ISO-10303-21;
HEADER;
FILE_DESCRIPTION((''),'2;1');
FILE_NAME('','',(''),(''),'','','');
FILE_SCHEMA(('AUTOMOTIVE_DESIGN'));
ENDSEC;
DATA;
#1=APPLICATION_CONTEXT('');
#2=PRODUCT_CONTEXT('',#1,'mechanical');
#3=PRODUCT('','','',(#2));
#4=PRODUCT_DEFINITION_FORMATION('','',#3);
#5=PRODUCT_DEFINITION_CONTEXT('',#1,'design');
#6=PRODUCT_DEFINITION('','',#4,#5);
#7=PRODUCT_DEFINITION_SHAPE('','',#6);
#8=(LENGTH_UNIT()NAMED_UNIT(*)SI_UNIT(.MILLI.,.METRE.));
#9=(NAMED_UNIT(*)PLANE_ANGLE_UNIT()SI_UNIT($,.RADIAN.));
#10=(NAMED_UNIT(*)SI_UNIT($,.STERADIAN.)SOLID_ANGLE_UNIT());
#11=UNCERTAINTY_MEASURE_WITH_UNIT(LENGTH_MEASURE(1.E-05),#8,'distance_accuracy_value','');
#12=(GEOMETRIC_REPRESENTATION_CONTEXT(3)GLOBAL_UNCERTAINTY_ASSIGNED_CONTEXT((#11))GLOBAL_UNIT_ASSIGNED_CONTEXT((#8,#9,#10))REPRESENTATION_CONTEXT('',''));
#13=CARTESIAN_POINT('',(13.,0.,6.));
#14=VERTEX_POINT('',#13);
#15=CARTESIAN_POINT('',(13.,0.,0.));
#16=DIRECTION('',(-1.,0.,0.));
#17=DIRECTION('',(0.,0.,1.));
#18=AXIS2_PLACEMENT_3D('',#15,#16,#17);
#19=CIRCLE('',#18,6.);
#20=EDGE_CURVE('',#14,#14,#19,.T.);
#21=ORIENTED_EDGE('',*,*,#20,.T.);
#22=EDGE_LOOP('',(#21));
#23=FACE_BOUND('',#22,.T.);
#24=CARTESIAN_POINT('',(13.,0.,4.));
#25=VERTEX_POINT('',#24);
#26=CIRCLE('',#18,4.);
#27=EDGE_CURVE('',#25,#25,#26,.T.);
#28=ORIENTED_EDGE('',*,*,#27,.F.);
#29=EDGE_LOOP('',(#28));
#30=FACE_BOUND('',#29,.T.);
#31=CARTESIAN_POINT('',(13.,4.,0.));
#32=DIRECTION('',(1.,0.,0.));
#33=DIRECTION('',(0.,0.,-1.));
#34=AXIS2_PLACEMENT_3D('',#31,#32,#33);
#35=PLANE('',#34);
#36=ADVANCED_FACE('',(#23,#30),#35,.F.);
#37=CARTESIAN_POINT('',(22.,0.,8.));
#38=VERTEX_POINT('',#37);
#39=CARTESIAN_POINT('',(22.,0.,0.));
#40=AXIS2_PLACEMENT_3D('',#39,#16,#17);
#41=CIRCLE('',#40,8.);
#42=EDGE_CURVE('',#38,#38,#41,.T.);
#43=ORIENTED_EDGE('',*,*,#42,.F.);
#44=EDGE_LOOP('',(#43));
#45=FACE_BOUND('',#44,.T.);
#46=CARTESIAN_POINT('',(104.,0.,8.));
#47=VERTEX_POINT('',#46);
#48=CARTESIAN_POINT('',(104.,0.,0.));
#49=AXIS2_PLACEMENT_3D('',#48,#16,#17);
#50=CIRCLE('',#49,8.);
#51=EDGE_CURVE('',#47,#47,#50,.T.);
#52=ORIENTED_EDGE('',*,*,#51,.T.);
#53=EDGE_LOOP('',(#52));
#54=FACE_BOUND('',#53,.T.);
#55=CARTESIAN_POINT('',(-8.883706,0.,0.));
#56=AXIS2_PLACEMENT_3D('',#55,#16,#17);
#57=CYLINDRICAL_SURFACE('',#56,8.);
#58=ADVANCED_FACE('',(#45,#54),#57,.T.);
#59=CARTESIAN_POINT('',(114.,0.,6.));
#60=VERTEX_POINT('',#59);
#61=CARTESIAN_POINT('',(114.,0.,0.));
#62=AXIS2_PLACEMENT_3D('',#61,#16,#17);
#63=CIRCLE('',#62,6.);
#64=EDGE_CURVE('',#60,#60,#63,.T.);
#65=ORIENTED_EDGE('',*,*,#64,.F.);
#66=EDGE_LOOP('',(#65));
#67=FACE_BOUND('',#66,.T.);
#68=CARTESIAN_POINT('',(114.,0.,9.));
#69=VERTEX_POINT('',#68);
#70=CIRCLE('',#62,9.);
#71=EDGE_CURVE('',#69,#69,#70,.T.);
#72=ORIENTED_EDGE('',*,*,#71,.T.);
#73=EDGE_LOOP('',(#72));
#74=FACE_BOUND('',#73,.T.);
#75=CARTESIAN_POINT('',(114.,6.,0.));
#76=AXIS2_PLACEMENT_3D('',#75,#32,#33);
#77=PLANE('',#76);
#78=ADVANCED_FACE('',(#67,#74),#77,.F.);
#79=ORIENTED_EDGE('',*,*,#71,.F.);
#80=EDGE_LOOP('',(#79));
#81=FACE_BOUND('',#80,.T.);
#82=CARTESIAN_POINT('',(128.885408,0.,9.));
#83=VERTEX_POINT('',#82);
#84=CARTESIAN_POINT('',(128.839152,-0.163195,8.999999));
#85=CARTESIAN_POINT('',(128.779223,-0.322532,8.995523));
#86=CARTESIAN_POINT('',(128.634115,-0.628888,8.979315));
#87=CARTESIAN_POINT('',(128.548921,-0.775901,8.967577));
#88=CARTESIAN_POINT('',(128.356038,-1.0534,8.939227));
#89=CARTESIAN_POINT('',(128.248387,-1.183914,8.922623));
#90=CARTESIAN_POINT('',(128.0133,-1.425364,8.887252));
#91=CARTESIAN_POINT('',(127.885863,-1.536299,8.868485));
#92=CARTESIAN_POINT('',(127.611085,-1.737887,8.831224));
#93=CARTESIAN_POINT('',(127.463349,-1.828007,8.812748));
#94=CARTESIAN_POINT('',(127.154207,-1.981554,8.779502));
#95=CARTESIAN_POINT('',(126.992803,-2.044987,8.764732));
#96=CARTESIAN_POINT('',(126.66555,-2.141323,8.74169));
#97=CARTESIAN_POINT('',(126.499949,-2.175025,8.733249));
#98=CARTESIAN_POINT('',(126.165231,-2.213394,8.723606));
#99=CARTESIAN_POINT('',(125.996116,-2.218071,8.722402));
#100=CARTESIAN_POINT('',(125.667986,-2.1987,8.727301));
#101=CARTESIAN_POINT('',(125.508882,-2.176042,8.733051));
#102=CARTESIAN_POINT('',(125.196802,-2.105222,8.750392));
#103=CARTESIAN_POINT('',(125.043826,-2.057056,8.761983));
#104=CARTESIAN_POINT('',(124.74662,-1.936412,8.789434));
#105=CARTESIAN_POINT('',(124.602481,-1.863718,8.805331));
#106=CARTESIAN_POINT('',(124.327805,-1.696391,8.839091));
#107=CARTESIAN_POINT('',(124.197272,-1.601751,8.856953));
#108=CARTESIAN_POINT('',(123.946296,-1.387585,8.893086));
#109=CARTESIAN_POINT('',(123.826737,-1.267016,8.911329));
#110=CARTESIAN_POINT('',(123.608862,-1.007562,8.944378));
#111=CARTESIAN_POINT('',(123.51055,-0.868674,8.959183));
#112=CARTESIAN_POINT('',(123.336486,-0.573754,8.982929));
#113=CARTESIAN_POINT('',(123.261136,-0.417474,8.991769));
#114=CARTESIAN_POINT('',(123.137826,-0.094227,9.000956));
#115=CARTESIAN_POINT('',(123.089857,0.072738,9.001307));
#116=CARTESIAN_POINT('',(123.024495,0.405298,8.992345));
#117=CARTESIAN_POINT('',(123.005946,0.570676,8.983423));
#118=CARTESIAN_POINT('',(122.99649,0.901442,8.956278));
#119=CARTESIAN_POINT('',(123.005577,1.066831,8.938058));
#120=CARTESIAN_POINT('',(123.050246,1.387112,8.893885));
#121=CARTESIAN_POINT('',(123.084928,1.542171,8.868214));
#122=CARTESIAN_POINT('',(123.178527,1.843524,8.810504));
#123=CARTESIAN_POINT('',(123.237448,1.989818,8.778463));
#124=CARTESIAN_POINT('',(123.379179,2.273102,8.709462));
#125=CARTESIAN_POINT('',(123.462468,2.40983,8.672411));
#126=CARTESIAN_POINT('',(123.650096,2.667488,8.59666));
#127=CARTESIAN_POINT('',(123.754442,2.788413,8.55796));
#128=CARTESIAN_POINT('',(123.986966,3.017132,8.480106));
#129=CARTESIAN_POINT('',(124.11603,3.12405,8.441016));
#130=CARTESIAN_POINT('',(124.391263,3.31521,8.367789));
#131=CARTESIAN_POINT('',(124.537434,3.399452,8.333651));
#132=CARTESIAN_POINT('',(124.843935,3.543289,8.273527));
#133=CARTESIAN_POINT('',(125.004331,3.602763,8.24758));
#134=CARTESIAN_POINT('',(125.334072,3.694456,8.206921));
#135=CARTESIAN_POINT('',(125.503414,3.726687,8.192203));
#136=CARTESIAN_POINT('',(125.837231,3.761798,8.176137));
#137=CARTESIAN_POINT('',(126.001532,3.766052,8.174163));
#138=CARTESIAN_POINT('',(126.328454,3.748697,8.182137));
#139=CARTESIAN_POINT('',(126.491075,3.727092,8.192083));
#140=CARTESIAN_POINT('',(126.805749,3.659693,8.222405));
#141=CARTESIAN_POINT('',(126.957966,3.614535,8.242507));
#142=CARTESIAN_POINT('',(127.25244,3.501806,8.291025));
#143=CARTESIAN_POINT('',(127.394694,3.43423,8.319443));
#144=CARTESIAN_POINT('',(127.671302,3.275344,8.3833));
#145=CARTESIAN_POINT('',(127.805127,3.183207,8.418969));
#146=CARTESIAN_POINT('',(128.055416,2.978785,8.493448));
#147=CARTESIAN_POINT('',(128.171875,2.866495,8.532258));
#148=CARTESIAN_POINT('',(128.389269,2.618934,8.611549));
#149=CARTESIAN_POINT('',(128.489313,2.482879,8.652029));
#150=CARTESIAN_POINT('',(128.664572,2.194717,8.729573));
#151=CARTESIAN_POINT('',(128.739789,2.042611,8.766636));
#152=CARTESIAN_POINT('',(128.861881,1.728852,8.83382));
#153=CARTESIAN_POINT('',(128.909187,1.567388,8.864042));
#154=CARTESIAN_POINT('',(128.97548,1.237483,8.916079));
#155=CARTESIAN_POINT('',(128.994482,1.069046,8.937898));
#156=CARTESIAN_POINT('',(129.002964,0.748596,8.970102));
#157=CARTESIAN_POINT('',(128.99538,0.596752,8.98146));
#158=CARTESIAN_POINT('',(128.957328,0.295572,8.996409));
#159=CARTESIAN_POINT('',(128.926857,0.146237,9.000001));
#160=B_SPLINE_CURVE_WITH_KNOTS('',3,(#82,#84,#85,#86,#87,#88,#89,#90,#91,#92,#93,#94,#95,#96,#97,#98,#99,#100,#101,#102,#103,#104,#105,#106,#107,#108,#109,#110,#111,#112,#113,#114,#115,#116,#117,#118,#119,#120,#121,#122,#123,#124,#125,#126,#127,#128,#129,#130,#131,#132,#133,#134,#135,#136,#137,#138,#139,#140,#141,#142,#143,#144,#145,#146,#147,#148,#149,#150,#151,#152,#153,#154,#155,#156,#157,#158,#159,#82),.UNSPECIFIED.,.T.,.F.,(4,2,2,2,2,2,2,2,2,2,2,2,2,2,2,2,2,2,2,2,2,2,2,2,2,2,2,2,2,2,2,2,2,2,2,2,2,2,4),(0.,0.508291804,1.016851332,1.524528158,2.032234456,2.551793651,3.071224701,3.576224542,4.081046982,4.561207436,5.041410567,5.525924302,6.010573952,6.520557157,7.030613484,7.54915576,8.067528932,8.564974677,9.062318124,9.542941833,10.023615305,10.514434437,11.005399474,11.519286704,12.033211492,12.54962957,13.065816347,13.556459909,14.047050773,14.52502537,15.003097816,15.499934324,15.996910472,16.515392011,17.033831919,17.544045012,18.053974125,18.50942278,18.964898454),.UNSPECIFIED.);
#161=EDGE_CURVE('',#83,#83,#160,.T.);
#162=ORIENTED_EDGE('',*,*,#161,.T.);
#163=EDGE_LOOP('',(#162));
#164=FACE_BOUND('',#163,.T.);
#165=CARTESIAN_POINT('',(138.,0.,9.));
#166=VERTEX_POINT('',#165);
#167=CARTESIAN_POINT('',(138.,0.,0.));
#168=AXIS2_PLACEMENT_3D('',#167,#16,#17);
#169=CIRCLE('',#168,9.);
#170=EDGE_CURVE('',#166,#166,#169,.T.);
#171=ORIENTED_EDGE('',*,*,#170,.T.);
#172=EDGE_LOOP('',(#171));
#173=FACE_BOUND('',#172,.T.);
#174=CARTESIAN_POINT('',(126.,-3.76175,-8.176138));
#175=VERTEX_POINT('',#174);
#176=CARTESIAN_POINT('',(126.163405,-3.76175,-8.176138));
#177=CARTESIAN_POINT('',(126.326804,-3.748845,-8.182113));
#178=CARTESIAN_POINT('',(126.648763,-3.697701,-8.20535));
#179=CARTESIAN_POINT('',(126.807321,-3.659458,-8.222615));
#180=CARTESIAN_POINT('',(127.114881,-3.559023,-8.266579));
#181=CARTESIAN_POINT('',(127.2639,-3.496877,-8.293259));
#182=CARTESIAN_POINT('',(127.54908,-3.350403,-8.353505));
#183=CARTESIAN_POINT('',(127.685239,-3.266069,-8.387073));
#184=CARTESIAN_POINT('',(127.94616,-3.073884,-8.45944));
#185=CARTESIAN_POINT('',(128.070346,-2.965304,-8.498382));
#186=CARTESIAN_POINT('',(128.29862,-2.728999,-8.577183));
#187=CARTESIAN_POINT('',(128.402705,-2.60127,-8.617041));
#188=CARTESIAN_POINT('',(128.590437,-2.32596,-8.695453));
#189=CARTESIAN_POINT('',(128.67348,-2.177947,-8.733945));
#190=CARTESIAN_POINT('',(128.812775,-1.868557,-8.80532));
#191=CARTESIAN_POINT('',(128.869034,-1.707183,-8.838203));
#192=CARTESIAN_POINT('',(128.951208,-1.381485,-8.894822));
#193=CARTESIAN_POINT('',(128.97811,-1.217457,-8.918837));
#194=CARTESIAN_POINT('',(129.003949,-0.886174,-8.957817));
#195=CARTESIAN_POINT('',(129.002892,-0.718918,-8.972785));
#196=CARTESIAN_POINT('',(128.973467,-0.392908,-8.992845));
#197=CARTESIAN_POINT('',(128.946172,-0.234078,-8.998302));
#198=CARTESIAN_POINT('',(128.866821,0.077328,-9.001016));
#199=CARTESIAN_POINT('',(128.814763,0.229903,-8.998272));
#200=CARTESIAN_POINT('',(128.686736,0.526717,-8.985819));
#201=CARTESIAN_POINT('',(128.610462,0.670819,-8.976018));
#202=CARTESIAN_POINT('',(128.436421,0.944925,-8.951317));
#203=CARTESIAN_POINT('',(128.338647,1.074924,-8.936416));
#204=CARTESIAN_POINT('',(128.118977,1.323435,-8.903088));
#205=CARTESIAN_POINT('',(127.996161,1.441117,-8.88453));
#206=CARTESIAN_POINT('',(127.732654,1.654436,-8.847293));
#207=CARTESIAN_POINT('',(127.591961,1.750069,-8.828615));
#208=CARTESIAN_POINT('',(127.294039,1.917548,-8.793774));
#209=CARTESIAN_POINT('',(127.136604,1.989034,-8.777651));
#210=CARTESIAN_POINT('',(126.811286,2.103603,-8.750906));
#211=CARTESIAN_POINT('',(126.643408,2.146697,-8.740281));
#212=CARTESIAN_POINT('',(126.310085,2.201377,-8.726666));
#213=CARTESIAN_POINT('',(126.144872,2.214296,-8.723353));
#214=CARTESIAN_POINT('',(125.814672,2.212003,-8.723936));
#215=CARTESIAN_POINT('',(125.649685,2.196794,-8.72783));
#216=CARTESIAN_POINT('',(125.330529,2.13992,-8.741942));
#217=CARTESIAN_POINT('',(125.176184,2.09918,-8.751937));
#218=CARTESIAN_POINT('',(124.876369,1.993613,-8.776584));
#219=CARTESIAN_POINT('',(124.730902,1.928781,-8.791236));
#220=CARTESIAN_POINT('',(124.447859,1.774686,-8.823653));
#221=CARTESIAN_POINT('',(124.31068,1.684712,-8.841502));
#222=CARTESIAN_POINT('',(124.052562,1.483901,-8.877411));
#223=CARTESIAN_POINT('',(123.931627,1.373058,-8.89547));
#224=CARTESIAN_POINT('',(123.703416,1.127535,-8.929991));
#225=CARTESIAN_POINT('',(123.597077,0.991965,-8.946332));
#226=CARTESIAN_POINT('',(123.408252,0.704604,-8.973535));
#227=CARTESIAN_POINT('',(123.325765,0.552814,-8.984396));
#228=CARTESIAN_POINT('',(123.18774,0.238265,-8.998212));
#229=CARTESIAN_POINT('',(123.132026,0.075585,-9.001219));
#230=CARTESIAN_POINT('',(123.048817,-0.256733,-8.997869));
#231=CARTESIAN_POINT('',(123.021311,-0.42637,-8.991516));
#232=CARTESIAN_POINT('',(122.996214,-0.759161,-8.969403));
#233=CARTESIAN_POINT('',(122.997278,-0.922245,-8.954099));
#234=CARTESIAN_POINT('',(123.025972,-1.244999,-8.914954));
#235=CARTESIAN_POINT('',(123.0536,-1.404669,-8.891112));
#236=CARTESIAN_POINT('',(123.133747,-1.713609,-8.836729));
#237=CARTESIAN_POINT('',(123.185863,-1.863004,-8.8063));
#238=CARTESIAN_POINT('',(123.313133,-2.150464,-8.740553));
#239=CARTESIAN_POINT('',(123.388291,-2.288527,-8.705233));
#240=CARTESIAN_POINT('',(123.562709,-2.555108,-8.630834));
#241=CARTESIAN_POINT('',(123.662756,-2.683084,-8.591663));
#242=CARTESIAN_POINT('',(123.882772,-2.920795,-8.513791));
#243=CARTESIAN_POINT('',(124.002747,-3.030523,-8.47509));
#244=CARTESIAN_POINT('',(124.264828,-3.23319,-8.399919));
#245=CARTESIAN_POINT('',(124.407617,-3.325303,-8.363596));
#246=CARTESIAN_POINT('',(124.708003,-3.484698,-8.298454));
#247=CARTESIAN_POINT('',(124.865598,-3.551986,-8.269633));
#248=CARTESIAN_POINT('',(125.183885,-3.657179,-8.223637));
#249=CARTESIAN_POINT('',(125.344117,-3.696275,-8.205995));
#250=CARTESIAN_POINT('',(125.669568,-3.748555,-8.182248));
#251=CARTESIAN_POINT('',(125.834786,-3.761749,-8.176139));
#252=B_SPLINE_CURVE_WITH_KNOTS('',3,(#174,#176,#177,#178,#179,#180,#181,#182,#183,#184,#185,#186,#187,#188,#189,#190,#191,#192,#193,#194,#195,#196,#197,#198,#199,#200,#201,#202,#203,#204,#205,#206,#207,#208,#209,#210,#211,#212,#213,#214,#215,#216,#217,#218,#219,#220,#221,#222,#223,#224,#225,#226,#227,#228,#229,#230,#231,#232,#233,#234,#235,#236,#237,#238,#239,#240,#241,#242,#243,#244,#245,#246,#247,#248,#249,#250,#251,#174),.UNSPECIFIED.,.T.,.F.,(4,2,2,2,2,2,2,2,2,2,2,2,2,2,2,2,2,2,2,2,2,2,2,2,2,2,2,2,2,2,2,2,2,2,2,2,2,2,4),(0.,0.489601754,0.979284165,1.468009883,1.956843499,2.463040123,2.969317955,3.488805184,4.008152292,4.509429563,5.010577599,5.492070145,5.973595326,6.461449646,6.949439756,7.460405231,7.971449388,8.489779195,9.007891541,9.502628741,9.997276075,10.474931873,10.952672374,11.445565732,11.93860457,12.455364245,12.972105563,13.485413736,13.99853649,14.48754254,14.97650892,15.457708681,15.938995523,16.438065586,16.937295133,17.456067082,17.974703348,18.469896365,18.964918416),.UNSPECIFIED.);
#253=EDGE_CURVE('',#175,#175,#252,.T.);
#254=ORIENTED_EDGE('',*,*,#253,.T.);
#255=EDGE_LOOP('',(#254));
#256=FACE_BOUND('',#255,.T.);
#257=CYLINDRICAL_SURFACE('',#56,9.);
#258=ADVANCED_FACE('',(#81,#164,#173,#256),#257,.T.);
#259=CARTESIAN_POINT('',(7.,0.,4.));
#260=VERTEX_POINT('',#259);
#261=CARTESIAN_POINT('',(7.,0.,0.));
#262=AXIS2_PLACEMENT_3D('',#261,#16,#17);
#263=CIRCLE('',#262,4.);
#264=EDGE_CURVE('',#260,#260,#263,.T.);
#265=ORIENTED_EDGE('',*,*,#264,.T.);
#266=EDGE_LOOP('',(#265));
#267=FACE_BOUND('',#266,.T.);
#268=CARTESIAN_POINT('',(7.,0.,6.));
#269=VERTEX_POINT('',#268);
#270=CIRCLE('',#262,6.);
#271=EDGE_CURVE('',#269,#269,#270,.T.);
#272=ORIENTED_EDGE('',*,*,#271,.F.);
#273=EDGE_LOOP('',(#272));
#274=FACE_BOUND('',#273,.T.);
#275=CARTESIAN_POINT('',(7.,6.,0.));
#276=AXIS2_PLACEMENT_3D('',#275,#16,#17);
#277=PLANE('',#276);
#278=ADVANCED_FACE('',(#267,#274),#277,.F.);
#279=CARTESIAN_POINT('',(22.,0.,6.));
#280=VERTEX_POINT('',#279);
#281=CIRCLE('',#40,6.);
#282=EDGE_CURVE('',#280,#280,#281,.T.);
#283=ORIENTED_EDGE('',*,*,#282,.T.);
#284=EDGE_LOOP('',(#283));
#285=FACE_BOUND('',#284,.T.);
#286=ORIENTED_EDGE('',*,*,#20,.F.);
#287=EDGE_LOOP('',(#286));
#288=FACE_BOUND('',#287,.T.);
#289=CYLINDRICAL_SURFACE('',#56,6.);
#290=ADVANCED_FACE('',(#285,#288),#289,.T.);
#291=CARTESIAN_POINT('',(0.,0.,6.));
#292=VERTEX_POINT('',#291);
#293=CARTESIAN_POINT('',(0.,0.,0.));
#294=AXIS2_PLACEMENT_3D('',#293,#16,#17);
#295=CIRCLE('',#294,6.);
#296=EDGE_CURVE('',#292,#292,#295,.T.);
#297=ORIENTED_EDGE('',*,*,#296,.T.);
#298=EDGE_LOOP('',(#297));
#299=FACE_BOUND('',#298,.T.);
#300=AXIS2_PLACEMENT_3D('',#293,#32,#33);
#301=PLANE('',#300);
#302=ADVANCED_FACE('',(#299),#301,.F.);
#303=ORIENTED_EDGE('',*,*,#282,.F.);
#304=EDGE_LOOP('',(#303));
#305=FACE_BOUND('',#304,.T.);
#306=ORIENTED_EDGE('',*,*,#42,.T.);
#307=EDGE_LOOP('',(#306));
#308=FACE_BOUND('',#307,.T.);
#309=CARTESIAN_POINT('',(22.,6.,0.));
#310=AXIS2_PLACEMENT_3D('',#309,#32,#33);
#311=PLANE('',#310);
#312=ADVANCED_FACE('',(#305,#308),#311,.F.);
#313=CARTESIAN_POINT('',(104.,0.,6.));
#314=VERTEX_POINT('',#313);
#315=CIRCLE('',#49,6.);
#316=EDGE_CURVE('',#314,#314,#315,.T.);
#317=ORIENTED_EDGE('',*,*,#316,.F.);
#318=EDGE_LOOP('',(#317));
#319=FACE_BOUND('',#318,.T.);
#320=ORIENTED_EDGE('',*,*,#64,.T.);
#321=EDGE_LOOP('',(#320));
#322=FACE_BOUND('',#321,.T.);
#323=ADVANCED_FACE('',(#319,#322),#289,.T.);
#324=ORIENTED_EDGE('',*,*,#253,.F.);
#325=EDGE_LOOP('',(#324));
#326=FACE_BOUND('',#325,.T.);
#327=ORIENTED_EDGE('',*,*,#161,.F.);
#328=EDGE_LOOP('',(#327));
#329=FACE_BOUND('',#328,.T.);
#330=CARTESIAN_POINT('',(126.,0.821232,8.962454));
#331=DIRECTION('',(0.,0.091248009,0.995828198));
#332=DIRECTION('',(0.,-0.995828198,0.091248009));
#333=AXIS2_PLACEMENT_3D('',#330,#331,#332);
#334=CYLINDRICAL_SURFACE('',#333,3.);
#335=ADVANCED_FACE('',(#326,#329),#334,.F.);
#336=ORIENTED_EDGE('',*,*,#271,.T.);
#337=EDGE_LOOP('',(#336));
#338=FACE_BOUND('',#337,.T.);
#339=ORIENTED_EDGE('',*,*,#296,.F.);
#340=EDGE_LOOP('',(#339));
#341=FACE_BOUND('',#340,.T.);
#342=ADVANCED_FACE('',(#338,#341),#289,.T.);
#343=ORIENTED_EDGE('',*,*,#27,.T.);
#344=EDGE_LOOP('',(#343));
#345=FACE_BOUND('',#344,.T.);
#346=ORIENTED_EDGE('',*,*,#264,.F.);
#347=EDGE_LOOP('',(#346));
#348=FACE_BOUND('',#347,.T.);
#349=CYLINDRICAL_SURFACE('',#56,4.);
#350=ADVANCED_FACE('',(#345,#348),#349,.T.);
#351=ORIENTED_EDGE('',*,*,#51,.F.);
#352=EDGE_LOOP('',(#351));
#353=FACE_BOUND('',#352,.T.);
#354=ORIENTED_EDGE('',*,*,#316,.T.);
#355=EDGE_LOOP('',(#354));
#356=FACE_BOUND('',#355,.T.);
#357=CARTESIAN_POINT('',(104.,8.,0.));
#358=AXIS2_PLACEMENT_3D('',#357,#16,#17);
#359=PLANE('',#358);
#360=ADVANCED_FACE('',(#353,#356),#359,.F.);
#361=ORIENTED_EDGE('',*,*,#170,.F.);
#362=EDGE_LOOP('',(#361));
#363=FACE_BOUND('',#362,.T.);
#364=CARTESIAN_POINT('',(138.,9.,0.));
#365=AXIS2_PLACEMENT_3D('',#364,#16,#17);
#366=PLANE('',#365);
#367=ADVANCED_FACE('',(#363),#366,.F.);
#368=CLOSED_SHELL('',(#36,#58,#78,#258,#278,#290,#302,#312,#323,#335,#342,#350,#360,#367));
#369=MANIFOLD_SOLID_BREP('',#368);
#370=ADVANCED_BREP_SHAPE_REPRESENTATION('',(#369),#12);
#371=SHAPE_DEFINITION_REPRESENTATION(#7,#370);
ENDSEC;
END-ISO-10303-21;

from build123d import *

# Parameters (mm, degrees)
F_6_0MM_DOWEL_HOLE1_D     = 6
F_6_0MM_DOWEL_HOLE1_DEPTH = 76
F_6_0MM_DOWEL_HOLE1_TIP   = 1.802581857


with BuildPart() as part:
    # Sketch1 → Revolve1 (revolve)
    with BuildSketch(Plane.XY):
        Polygon((0, 0), (0, 6), (7, 6), (7, 4), (13, 4), (13, 6), (22, 6), (22, 8), (104, 8), (104, 6), (114, 6), (114, 9), (138, 9), (138, 0), align=None)
    revolve(axis=Axis((-8.88370643, 0, 0), (1, 0, 0)))

    # Ø6.0mm Dowel Hole1
    with Locations(Plane(origin=(126, 0.82123208, 8.962453786), x_dir=(0, 0.995828198, -0.091248009), z_dir=(0, 0.091248009, 0.995828198))):
        with Locations((0, 0)):
            Hole(F_6_0MM_DOWEL_HOLE1_D / 2, depth=F_6_0MM_DOWEL_HOLE1_DEPTH)
            with Locations((0, 0, -(F_6_0MM_DOWEL_HOLE1_DEPTH + F_6_0MM_DOWEL_HOLE1_TIP / 2))):  # 118° drill point
                Cone(0, F_6_0MM_DOWEL_HOLE1_D / 2, F_6_0MM_DOWEL_HOLE1_TIP, mode=Mode.SUBTRACT)


solid = part.part
